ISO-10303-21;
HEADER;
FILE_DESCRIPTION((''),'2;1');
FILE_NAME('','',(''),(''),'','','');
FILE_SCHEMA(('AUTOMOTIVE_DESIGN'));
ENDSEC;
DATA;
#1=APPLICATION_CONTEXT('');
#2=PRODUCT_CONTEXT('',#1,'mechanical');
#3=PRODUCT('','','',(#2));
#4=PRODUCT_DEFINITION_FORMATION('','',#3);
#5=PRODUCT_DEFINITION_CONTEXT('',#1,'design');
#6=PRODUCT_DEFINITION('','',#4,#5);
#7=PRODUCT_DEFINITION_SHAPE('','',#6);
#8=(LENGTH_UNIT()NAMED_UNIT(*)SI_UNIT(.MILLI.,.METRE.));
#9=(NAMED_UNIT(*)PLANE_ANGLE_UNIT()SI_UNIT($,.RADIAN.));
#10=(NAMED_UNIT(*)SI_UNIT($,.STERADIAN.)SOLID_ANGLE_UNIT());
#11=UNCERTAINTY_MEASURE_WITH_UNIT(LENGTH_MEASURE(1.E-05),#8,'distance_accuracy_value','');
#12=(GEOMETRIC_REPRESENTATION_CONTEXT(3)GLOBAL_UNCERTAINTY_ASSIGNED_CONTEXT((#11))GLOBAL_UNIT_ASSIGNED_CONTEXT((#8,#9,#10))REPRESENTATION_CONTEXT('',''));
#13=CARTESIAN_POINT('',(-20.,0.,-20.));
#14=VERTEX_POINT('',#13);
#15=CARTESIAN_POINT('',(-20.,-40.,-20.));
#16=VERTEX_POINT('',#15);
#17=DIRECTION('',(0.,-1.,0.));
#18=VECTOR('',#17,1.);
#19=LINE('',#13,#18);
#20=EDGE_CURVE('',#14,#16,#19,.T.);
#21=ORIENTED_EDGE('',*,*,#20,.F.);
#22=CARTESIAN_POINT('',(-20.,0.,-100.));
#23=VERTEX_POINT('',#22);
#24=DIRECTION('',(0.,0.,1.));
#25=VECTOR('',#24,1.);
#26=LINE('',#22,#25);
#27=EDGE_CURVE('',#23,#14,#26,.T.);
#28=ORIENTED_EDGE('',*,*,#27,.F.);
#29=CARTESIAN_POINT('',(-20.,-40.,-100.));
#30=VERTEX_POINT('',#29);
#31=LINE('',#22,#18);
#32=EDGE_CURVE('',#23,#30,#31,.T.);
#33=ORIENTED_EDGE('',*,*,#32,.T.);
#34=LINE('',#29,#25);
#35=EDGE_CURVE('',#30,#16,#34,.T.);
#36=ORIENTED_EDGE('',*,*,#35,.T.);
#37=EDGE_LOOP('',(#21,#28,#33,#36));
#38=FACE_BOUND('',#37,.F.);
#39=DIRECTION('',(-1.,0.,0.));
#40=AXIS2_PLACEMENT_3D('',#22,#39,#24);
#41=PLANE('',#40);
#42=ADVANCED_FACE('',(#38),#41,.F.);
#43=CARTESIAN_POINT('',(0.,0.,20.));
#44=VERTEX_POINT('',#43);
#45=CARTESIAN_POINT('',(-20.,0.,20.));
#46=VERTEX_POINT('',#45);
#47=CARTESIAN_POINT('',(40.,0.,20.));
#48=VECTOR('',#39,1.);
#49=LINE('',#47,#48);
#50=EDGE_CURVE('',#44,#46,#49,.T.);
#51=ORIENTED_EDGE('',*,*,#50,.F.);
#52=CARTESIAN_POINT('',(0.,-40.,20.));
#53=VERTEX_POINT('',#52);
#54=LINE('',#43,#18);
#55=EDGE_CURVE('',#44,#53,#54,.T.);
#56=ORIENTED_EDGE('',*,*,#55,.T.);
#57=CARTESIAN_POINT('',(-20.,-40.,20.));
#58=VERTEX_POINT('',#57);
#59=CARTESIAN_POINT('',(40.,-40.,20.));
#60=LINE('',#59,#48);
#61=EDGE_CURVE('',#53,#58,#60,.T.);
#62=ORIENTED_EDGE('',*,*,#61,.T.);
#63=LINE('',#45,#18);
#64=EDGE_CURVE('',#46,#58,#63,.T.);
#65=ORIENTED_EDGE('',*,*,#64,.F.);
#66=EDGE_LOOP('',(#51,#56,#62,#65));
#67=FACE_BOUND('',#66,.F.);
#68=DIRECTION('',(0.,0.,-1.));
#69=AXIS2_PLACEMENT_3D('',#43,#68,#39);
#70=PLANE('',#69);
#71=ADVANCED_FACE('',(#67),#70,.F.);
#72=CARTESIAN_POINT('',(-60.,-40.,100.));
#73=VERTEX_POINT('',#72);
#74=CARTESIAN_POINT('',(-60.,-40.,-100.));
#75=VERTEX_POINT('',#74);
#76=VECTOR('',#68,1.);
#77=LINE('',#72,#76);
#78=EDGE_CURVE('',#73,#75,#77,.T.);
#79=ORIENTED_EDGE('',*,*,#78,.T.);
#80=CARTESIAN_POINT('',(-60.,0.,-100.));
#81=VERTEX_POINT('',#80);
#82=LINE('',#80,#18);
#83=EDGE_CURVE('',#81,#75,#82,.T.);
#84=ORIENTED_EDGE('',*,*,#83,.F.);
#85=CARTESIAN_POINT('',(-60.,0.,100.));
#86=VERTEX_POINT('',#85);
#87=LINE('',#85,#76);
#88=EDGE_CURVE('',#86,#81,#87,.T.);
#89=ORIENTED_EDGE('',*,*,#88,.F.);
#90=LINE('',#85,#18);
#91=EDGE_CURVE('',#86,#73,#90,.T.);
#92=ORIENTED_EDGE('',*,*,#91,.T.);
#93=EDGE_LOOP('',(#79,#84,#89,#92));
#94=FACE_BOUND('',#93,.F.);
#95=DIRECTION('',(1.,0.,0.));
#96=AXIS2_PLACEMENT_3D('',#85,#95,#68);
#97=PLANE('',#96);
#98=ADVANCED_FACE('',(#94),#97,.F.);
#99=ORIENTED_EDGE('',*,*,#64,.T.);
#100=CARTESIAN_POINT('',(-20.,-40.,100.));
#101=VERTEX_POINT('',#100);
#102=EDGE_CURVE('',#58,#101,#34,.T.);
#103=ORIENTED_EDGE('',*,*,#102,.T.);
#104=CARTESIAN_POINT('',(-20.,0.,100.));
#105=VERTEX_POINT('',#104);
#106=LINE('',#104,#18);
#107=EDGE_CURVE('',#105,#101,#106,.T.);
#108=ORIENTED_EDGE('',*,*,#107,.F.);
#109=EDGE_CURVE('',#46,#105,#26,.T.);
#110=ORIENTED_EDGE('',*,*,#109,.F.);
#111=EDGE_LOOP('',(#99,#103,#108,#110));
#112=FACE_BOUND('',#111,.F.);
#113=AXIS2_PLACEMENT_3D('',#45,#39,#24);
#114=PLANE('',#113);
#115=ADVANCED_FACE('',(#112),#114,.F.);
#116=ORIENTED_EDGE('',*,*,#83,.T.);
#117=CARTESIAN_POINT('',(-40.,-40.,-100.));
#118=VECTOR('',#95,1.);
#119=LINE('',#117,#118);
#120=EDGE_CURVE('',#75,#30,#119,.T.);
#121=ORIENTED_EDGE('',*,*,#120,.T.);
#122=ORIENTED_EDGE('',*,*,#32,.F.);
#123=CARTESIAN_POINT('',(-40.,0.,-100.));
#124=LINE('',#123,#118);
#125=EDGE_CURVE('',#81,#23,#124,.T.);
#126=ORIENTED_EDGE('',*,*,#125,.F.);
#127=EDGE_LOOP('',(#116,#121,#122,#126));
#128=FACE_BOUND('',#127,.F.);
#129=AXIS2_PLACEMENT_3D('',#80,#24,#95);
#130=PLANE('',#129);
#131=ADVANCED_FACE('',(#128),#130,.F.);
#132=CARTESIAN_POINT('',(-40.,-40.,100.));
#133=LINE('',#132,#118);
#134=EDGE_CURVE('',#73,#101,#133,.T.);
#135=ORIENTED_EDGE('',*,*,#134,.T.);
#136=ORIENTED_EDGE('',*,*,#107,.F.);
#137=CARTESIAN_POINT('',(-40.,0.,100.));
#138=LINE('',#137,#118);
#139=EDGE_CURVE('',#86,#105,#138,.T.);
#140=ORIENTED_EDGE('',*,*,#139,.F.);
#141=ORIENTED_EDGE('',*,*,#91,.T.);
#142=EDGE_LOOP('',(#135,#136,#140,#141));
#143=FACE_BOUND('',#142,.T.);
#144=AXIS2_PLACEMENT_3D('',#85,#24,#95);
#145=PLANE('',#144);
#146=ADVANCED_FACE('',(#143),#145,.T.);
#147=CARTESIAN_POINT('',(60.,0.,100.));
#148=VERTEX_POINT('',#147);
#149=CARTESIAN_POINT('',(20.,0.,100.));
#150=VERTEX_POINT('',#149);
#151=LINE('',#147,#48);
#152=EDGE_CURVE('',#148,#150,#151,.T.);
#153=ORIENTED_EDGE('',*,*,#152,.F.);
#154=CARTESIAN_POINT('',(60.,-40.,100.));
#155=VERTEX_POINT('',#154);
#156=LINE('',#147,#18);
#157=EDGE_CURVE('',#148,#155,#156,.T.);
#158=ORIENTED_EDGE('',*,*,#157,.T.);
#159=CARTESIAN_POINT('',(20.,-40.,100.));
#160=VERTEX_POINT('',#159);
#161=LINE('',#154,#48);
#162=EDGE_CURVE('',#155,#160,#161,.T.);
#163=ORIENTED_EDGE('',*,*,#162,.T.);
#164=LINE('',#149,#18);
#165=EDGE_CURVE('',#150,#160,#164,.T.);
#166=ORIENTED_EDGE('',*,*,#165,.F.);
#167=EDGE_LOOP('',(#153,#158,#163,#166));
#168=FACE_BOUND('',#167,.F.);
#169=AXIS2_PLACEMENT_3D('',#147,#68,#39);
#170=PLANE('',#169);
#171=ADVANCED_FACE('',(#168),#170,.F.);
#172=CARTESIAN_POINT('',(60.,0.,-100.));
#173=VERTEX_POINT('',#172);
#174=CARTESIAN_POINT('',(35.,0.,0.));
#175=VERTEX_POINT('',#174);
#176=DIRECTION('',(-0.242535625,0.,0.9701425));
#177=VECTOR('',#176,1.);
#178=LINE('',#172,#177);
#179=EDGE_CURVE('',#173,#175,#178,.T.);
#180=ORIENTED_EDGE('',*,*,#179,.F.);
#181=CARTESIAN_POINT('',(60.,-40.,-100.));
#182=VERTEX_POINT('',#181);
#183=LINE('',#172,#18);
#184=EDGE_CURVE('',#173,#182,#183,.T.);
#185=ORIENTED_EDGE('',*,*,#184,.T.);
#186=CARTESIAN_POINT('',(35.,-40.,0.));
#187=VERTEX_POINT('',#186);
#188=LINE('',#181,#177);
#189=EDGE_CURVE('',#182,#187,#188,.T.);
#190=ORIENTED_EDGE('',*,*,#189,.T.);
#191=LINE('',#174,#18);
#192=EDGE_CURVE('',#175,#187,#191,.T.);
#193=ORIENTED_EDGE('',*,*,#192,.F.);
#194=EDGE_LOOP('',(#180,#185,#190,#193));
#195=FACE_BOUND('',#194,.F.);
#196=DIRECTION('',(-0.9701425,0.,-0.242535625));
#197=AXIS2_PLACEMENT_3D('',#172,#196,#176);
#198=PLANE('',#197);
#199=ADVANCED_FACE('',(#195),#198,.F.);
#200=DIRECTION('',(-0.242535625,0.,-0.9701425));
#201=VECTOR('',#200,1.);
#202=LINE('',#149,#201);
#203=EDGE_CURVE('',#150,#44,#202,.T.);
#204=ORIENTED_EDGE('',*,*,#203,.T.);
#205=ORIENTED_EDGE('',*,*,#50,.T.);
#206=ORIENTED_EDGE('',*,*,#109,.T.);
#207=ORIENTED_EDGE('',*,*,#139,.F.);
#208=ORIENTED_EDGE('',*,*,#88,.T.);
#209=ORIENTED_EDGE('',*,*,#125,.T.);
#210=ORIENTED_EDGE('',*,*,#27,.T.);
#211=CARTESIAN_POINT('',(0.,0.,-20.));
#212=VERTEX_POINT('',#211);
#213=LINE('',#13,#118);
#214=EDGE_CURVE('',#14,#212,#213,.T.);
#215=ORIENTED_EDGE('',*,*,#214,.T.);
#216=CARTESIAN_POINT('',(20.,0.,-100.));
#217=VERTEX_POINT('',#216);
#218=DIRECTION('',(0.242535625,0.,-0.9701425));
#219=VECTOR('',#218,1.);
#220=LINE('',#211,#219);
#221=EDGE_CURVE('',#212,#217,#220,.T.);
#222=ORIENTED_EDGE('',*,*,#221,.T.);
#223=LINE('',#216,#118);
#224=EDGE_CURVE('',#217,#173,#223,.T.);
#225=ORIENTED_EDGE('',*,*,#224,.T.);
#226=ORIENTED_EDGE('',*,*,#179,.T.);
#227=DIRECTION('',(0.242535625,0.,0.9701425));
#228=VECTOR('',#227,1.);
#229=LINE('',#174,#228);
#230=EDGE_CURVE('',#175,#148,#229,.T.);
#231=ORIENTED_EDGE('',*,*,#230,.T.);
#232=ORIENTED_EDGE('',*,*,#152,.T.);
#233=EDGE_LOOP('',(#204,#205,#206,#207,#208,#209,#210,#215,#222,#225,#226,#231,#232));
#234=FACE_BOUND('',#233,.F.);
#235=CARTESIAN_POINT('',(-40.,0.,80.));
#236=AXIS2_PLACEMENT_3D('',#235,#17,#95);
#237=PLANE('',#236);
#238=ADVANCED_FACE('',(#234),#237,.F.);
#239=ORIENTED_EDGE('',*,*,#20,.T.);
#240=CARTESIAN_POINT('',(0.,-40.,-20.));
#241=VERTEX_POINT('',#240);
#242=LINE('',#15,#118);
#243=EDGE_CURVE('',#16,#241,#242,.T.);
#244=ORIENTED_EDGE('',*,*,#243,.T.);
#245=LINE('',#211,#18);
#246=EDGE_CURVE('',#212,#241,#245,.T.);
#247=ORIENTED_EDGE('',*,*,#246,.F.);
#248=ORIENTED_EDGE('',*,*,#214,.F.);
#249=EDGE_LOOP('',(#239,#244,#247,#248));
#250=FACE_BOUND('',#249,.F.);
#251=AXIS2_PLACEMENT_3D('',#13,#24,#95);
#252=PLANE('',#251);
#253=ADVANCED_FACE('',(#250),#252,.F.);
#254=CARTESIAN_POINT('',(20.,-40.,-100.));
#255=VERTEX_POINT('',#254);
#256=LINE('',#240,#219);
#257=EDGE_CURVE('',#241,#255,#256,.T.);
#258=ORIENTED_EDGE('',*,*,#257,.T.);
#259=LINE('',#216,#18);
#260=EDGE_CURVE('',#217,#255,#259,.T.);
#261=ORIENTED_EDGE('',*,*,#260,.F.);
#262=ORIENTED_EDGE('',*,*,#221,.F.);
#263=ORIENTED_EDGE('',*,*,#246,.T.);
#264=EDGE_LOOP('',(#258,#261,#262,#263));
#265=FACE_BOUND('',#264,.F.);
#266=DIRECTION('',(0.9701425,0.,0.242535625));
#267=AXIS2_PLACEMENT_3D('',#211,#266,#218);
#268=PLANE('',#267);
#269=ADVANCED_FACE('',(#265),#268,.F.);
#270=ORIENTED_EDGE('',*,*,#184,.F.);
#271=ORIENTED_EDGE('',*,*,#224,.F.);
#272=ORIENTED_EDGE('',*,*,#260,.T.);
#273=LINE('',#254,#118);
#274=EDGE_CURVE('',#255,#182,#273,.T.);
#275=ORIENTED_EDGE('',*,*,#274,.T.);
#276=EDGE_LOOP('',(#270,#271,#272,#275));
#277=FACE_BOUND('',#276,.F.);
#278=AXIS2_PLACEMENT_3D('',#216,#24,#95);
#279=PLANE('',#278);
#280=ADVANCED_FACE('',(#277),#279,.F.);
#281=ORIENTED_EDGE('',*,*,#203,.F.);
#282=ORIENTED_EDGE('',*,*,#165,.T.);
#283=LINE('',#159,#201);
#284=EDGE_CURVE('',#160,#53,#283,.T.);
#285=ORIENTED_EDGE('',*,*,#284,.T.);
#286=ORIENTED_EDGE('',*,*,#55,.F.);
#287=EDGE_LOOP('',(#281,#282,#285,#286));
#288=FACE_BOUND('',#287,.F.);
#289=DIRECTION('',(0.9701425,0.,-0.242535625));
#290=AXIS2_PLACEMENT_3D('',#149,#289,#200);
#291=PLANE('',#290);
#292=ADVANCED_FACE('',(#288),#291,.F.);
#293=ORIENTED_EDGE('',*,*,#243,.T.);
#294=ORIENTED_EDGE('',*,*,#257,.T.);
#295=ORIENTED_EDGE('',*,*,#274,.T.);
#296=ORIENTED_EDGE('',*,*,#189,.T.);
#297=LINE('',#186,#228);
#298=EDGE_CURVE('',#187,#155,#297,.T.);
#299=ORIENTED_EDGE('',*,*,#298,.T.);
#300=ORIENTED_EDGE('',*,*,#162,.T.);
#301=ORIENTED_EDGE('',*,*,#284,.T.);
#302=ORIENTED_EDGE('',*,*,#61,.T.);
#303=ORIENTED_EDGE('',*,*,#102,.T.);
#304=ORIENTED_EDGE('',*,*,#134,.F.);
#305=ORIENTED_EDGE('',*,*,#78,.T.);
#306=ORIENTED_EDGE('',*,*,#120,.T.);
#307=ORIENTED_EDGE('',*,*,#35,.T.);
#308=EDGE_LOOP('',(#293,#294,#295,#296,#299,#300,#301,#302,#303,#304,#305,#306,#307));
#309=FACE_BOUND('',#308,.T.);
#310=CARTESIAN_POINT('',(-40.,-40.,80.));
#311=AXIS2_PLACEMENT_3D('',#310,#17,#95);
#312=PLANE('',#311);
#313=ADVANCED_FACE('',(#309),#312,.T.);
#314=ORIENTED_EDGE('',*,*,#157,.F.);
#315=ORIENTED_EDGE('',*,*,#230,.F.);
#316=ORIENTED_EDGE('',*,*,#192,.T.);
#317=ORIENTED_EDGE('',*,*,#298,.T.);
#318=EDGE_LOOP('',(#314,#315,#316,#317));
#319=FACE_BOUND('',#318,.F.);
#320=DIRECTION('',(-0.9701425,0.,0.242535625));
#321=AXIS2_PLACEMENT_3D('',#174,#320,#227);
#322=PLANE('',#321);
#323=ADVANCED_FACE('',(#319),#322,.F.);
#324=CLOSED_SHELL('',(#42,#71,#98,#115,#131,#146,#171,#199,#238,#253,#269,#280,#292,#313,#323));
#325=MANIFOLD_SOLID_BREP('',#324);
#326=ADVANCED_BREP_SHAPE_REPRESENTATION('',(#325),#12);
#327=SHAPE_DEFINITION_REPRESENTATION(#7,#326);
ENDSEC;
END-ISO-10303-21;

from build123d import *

# Parameters (mm, degrees)
F0_W     = 40
F0_H     = 40
F1_DEPTH = 40


with BuildPart() as f1:
    # F0 (on Front) → F1 (new body)
    with BuildSketch(Plane.XZ):
        with Locations((-40, 80)):
            Rectangle(F0_W, F0_H)
        with Locations((-40, 40)):
            Rectangle(F0_W, F0_H)
        with Locations((-40, 0)):
            Rectangle(F0_W, F0_H)
        with Locations((-40, -40)):
            Rectangle(F0_W, F0_H)
        with Locations((-40, -80)):
            Rectangle(F0_W, F0_H)
        Polygon((20, -20), (20, 20), (0, 20), (-20, 20), (-20, -20), (0, -20), align=None)
        Polygon((35, 0), (40, 20), (20, 20), (20, -20), (40, -20), align=None)
        Polygon((40, -20), (20, -20), (20, -60), (50, -60), align=None)
        Polygon((50, -60), (20, -60), (20, -100), (60, -100), align=None)
        Polygon((20, -60), (20, -20), (0, -20), (10, -60), align=None)
        Polygon((20, -100), (20, -60), (10, -60), align=None)
        Polygon((20, 20), (20, 60), (10, 60), (0, 20), align=None)
        Polygon((40, 20), (50, 60), (20, 60), (20, 20), align=None)
        Polygon((50, 60), (60, 100), (20, 100), (20, 60), align=None)
        Polygon((20, 60), (20, 100), (10, 60), align=None)
    extrude(amount=F1_DEPTH)


solid = f1.part
